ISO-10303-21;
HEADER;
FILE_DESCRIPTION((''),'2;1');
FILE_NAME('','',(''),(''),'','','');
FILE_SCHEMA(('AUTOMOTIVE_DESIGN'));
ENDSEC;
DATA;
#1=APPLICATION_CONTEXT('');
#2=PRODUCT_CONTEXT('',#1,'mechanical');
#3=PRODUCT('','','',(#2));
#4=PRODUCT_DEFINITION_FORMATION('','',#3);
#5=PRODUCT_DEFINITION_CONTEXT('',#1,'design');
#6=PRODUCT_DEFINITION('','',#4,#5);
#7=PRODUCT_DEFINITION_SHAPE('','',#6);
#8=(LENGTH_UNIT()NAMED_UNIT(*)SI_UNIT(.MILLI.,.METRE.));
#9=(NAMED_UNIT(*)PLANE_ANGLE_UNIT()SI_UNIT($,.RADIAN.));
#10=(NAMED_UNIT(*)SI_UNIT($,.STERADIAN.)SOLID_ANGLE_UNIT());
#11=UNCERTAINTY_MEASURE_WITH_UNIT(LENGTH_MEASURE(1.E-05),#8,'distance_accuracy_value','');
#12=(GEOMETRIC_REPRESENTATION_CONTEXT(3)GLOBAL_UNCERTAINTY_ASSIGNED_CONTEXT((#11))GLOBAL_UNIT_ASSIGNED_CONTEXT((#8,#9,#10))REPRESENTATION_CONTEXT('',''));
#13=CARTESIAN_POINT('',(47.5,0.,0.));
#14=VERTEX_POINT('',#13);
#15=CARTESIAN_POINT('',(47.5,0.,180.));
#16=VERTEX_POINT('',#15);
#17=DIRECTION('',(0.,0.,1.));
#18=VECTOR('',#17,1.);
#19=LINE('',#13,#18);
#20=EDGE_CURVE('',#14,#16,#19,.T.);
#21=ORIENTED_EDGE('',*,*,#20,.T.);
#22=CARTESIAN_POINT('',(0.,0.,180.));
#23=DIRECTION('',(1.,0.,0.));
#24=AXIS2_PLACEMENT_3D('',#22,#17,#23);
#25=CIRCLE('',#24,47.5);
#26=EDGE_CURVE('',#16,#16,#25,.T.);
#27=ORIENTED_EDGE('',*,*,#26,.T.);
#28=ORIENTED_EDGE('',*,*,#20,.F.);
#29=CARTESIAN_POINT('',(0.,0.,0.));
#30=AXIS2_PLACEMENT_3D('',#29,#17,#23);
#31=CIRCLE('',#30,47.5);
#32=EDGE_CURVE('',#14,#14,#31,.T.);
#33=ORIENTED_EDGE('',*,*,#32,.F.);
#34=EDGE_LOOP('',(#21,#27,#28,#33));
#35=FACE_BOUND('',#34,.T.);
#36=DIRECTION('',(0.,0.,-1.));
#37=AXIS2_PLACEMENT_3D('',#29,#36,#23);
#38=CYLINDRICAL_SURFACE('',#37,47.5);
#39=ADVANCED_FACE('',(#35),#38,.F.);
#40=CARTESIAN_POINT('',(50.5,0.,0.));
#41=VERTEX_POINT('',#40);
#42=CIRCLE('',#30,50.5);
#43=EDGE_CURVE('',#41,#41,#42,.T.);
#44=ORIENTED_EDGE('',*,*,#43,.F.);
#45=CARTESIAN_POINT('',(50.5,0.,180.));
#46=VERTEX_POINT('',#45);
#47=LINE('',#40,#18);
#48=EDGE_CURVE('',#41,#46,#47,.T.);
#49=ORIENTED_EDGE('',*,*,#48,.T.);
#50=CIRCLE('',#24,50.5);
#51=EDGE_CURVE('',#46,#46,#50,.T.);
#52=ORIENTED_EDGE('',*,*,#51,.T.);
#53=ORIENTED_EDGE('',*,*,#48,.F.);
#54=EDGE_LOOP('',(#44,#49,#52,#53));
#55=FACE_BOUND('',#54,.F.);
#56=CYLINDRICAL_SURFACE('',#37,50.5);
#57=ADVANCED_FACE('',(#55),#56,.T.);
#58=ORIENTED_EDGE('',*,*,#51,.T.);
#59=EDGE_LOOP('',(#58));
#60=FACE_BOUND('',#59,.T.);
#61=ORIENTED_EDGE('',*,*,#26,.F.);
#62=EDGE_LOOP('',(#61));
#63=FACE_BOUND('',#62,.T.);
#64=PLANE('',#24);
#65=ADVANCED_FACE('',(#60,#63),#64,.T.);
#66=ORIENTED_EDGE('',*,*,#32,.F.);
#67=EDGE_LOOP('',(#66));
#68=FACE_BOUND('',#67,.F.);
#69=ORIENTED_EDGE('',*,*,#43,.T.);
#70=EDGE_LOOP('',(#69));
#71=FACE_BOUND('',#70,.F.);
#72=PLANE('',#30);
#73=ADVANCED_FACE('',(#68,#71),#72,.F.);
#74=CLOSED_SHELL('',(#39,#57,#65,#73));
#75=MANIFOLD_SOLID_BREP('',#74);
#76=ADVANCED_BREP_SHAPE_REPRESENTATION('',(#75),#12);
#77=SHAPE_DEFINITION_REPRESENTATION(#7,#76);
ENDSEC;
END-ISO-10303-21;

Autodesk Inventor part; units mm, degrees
ref_plane "YZ Plane" through (0, 0, 0) normal (1, 0, 0) x (0, 1, 0)
ref_plane "XZ Plane" through (0, 0, 0) normal (0, 1, 0) x (-1, 0, 0)
ref_plane "XY Plane" through (0, 0, 0) normal (0, 0, 1) x (1, 0, 0)
sketch "Sketch1" plane through (0, 0, 0) normal (0, 0, 1) x (1, 0, 0)
  circle A0 centre (0, 0) radius 50.5
  circle A1 centre (0, 0) radius 47.5
  dimension "d0" = 101
  dimension "d1" = 95
extrude "Extrusion1" add sketch "Sketch1" along normal blind 180
properties part number "Electronics Tube"
